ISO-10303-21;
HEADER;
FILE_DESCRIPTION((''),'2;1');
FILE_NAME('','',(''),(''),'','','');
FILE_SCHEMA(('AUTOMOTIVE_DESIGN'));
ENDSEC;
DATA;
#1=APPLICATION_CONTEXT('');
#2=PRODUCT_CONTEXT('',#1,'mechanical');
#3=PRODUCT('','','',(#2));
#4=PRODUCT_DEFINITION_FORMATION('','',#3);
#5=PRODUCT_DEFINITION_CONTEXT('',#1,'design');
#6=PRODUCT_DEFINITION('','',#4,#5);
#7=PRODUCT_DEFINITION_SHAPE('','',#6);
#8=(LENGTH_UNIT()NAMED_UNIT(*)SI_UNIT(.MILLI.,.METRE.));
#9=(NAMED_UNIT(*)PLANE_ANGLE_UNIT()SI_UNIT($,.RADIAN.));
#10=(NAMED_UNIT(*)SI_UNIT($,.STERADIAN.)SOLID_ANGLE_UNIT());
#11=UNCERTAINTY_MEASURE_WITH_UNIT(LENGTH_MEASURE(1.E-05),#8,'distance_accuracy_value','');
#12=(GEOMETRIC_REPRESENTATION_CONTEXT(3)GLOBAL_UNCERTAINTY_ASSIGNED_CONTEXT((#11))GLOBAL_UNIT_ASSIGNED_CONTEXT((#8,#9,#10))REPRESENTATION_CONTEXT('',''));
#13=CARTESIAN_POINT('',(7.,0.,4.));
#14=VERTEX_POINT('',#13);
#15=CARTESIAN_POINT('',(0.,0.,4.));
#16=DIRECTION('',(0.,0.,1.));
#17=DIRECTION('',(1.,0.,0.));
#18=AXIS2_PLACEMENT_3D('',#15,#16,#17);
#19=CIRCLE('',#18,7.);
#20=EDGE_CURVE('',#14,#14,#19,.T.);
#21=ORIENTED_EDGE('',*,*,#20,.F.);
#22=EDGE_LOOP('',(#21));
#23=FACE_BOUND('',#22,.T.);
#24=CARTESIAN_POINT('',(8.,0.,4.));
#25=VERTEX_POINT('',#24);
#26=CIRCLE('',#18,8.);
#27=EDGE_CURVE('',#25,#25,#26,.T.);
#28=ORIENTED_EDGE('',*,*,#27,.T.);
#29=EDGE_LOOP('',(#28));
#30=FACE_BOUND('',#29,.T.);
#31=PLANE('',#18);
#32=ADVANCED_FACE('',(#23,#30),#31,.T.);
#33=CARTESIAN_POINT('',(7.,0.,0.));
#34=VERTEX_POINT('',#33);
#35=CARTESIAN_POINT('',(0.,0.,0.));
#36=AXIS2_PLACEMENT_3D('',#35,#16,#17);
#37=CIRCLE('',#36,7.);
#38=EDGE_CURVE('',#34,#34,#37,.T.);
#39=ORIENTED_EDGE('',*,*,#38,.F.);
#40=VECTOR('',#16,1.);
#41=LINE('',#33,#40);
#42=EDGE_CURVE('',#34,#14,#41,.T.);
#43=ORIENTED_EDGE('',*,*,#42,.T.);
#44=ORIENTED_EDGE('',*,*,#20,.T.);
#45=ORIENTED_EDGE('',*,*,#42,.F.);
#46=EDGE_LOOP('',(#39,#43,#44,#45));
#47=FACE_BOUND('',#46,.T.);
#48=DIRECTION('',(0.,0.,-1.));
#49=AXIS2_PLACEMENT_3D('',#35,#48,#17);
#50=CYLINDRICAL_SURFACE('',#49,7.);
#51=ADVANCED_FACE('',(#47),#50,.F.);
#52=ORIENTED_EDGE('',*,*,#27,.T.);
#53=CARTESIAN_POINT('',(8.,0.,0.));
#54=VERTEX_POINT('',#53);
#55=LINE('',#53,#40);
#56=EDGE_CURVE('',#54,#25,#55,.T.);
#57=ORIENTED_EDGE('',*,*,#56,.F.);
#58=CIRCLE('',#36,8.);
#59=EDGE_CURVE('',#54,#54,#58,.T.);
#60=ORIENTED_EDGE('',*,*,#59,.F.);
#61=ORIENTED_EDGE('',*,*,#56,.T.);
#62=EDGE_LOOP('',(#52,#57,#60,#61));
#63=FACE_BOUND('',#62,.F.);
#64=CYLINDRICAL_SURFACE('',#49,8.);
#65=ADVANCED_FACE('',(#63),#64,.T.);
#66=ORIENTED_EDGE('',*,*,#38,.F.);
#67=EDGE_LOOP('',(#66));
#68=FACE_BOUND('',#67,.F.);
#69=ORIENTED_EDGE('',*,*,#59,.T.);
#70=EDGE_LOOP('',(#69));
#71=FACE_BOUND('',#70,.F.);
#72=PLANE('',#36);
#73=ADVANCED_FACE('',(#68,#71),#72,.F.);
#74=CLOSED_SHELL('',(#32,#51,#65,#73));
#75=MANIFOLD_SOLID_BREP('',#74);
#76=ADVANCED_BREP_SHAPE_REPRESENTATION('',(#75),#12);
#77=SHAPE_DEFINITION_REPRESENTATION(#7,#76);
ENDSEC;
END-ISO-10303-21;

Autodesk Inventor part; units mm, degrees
ref_plane "YZ Plane" through (0, 0, 0) normal (1, 0, 0) x (0, 1, 0)
ref_plane "XZ Plane" through (0, 0, 0) normal (0, 1, 0) x (-1, 0, 0)
ref_plane "XY Plane" through (0, 0, 0) normal (0, 0, 1) x (1, 0, 0)
sketch "Sketch_1" plane through (0, 0, 0) normal (0, 0, 1) x (1, 0, 0)
  circle A0 centre (0, 0) radius 8
  circle A1 centre (0, 0) radius 7
  dimension "d9" = 16
  dimension "d10" = 14
extrude "押し出し1" add sketch "Sketch_1" along normal blind 4
properties part number "オイレスd14D16L4"
